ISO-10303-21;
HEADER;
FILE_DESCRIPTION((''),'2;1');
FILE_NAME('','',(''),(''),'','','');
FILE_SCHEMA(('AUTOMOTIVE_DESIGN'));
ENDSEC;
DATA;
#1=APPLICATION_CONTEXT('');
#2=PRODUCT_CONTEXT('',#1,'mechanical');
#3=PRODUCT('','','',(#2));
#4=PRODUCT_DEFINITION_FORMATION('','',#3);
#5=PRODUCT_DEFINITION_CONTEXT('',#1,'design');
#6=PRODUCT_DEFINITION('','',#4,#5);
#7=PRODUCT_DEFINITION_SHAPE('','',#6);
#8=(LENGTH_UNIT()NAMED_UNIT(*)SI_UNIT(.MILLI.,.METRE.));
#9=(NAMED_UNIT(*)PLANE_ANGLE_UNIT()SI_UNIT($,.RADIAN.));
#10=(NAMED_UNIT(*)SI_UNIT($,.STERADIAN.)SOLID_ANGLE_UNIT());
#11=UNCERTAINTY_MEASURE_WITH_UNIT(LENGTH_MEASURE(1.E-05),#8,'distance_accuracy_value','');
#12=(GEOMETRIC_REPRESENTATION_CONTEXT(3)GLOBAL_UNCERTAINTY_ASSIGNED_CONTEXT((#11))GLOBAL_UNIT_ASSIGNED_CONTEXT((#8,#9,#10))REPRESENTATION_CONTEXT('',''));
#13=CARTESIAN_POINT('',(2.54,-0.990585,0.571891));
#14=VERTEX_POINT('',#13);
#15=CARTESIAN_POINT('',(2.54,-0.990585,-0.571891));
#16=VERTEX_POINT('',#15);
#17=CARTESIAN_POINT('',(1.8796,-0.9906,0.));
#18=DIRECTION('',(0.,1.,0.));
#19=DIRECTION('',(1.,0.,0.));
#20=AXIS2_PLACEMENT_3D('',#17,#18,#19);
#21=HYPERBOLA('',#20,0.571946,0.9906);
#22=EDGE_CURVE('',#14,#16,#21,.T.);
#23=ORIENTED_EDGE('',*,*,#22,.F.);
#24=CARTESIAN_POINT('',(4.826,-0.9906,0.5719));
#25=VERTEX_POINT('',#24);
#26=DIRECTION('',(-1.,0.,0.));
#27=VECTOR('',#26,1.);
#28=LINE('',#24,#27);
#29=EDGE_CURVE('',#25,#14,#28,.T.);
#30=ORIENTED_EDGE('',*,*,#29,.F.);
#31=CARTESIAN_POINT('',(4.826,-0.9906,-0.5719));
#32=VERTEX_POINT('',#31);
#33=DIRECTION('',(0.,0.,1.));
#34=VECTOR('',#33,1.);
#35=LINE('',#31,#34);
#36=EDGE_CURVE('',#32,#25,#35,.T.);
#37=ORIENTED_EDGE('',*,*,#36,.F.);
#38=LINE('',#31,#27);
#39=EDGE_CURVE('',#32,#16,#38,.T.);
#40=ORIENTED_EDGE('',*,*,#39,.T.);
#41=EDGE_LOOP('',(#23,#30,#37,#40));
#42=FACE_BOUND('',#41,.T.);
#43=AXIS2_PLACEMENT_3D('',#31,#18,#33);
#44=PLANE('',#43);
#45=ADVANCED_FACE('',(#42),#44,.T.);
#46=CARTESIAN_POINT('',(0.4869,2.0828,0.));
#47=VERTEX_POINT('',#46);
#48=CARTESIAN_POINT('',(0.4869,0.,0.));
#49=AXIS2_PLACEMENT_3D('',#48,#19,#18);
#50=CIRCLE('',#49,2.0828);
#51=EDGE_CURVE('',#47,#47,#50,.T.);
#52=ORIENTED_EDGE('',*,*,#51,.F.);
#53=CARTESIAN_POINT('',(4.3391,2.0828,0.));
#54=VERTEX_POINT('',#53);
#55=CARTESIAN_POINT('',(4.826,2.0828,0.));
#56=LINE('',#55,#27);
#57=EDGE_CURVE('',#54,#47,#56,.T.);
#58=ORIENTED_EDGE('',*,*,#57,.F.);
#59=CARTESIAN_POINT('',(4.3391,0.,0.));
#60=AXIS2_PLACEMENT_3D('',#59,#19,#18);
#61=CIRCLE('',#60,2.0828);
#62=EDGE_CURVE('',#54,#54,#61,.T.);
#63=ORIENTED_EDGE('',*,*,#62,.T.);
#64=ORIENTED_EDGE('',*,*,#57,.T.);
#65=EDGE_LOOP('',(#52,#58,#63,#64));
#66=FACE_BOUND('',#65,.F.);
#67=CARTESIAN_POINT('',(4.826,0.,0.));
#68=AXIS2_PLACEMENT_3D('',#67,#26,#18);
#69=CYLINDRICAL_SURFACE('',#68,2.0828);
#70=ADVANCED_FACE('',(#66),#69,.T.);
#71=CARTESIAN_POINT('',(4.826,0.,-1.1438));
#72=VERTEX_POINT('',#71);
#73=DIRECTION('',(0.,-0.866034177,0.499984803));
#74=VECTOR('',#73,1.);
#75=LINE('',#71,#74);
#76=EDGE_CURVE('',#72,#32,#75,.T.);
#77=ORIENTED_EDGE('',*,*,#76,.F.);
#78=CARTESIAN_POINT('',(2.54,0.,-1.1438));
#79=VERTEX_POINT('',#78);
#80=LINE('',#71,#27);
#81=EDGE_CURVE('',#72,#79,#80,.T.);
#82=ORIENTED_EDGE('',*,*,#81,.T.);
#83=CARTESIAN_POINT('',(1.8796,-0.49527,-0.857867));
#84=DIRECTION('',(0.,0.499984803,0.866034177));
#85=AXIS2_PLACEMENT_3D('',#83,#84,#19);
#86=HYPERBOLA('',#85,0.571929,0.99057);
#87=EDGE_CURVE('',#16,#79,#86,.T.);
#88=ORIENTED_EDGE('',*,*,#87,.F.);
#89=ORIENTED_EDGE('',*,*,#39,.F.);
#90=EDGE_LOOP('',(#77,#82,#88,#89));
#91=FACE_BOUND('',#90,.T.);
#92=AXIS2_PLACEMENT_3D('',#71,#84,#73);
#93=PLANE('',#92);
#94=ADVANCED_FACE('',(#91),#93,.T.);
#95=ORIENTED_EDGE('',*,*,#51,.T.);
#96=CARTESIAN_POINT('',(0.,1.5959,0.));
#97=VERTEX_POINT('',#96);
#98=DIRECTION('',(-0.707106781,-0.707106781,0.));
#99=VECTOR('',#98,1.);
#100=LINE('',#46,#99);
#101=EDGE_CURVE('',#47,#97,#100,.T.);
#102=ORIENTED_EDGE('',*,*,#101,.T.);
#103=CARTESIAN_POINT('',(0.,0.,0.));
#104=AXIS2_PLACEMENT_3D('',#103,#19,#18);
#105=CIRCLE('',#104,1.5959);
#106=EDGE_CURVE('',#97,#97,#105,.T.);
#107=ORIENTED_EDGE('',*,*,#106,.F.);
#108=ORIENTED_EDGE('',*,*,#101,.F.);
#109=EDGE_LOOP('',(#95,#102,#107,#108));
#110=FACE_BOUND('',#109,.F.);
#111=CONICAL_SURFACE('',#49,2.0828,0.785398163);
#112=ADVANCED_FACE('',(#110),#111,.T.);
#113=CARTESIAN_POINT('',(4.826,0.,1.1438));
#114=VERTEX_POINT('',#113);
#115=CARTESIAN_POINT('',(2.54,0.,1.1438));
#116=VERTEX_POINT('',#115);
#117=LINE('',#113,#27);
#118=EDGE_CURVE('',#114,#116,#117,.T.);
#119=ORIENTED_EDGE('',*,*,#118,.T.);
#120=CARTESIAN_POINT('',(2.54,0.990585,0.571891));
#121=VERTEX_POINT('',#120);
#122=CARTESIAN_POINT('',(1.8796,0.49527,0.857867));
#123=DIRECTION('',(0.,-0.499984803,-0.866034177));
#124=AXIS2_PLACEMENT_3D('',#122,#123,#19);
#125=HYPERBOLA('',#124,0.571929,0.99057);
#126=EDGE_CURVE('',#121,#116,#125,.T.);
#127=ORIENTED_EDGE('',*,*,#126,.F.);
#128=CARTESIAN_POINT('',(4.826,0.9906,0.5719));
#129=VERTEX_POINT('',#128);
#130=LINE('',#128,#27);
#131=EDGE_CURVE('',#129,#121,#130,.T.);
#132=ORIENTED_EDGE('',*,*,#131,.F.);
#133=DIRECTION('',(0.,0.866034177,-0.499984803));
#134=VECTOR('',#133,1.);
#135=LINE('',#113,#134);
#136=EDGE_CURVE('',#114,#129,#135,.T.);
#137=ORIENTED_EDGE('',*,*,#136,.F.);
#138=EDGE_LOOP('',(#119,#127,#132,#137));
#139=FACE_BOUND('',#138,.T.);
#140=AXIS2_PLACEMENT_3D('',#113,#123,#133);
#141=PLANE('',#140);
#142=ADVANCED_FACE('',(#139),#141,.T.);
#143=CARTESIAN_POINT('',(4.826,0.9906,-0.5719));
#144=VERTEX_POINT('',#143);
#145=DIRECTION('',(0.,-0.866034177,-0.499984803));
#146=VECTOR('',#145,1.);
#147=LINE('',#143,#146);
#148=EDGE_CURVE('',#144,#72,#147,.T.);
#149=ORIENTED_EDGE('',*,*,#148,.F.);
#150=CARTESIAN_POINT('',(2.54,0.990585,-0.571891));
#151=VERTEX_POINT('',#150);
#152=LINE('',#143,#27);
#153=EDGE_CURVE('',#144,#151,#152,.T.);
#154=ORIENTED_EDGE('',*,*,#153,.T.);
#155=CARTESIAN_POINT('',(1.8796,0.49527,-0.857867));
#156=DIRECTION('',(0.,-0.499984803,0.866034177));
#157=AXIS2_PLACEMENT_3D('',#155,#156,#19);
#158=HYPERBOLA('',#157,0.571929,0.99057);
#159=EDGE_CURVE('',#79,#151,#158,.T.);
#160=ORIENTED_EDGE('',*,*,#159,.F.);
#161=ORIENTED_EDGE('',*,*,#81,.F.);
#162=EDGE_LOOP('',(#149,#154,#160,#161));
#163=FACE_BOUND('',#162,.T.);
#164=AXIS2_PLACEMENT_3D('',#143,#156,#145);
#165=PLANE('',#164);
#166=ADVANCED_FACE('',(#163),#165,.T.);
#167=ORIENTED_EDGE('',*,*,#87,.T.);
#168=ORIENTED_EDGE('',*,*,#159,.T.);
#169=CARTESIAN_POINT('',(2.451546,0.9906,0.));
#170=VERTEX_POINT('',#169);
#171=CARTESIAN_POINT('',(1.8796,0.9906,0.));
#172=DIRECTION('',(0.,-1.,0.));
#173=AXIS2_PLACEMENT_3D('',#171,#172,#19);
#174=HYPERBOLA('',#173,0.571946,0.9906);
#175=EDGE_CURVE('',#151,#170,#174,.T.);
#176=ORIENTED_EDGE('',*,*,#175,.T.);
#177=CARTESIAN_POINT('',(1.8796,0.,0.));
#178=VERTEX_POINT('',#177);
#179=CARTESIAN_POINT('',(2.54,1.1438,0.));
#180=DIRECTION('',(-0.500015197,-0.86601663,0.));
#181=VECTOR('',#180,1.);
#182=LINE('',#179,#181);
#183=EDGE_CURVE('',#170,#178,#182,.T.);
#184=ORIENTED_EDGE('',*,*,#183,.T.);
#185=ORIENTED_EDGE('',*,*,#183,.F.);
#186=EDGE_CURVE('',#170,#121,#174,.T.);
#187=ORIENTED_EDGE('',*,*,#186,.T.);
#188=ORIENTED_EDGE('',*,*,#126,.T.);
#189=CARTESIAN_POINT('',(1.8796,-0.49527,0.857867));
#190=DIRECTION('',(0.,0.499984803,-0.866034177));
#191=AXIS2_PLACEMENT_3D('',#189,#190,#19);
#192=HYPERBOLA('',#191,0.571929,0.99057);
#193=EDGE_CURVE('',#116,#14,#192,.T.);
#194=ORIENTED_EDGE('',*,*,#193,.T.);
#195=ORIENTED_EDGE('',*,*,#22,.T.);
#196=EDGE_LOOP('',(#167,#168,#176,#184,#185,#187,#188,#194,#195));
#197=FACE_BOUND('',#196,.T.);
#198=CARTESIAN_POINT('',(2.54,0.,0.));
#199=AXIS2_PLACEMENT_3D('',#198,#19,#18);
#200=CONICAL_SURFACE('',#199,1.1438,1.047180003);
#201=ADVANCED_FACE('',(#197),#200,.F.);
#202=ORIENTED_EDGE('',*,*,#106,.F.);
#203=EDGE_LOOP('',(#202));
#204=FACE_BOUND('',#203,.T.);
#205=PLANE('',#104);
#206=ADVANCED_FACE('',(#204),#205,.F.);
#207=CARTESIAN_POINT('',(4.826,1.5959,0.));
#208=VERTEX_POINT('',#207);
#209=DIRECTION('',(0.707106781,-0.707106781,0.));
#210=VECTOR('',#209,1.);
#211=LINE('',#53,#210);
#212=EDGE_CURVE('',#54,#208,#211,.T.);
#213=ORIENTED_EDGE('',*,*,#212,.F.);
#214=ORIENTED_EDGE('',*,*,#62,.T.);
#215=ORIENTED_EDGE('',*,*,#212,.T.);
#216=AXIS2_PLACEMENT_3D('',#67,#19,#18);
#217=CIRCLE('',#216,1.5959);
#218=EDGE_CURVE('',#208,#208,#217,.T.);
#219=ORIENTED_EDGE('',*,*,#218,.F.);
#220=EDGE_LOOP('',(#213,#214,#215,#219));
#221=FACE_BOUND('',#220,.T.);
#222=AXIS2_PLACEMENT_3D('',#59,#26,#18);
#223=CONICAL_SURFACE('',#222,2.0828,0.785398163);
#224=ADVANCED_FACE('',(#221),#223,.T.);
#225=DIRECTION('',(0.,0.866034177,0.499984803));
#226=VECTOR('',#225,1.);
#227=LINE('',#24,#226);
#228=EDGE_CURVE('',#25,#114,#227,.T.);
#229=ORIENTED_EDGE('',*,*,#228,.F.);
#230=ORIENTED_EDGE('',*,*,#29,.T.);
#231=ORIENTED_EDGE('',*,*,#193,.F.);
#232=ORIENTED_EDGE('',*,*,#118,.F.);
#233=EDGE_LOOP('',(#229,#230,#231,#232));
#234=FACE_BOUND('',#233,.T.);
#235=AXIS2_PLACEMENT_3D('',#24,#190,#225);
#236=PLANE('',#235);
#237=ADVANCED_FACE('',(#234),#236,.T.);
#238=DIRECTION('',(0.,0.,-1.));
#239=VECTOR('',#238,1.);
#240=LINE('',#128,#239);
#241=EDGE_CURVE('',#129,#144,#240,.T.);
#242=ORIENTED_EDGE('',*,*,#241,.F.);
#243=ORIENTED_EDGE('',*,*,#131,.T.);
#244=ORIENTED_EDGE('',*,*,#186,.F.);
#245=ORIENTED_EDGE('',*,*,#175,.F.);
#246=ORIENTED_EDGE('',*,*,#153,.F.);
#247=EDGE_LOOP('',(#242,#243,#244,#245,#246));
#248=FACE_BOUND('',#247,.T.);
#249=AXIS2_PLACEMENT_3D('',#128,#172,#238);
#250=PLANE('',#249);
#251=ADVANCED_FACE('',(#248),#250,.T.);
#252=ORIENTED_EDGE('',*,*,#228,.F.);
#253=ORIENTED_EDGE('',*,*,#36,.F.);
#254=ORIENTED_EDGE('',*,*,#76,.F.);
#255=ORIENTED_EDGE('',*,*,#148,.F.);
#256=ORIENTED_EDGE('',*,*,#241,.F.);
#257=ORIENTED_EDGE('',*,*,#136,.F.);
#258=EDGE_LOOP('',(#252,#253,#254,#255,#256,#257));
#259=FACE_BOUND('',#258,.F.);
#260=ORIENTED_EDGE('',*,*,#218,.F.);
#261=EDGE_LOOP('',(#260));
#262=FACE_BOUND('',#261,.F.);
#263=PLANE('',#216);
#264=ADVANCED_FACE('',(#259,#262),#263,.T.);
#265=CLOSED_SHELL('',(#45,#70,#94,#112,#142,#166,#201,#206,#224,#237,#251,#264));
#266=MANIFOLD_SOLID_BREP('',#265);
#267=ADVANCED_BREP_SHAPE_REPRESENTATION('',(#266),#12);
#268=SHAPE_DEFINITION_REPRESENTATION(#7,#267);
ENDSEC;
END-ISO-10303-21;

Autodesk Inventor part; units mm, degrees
ref_plane "YZ Plane" through (0, 0, 0) normal (1, 0, 0) x (0, 1, 0)
ref_plane "XZ Plane" through (0, 0, 0) normal (0, 1, 0) x (-1, 0, 0)
sketch "Sketch1" plane through (0, 0, 0) normal (0, 0, 1) x (1, 0, 0)
  line L0 (0, 0) -> (1.8796, 0)
  line L1 (4.826, 1.1438) -> (4.826, 2.0828)
  line L2 (4.826, 2.0828) -> (0, 2.0828)
  line L3 (4.826, 1.1438) -> (2.54, 1.1438)
  line L4 (2.54, 1.1438) -> (1.8796, 0)
  line L5 (0, -0.4166) -> (0, 2.4994) projected
  line L6 (0, 2.0828) -> (0, 0)
  dimension "d0" = 2.286
  dimension "d1" = 60
  dimension "d2" = 4.1656
  dimension "d3" = 2.2877
  dimension "d5" = 4.826
revolve "Body" add sketch "Sketch1" angle 360 about axis through (0, 0, 0) along (1, 0, 0)
chamfer "Chamfer1" distance 0.4869 angle 45 1 edges at (4.826, -2.0828, 0) measured on face at (4.826, 1.7496, -0.1661)
sketch "Sketch2" plane through (4.826, 0, 0) normal (1, 0, 0) x (0, 0, -1)
  circle A0 centre (0, 0) radius 1.1438 projected
  line L0 (-0.5719, 0.9906) -> (0.5719, 0.9906)
  line L1 (0.5719, 0.9906) -> (1.1438, 0)
  line L2 (1.1438, 0) -> (0.5719, -0.9906)
  line L3 (0.5719, -0.9906) -> (-0.5719, -0.9906)
  line L4 (-0.5719, -0.9906) -> (-1.1438, 0)
  line L5 (-1.1438, 0) -> (-0.5719, 0.9906)
  point P0 (0, 0)
  point P1 (0, 0)
extrude "Slot" add sketch "Sketch2" against normal up to next contours L1 A0 | A0 L2 | L0 A0 | A0 L3 | L5 A0 | A0 L4
thread "Thread" size "8-32 UNC" class "2A" standard "ANSI Unified Screw Threads" length 4.826
chamfer "Chamfer2" distance 0.4869 angle 45 1 edges at (0, -2.0828, 0) measured on face at (1.4464, 2.076, -0.1676)
ref_plane "Work Plane1" through (2.413, 0, 0) normal (0, 0.5, 0.866) x (1, 0, 0)
equation "\"d0\" = INTI"
equation "\"d2\" = NND"
equation "\"d3\" = 1.1547 * SW"
equation "\"d5\" = NLG"
equation "\"d7\" = -0.5 * GD1 + 0.5 * NND"
equation "\"d8\" = FAWI"
equation "\"d29\" = -0.5 * GD1 + 0.5 * NND"
equation "\"d11\" = NLG"
equation "\"d13\" = -0.5 * GD1 + 0.5 * NND"
equation "\"d14\" = FAWI"
equation "\"d30\" = -0.5 * GD1 + 0.5 * NND"
equation "\"NND\" = 4.1656"
equation "\"NLG\" = 4.826"
equation "\"INTI\" = 2.286"
equation "\"FAWI\" = 45deg"
equation "\"SW\" = 1.9812"
equation "\"GD1\" = 3.19177"
equation "\"FAWI1\" = 44.999991deg"
equation "\"SPD\" = 2.2098"
equation "\"SEWI\" = 90deg"
equation "\"TOA\" = 30deg"
equation "\"ZLG\" = 1.0922"
equation "\"ZD\" = 2.7686"
equation "\"HHPTC\" = 0.79375"
equation "\"THREADDIA\" = 4.1656"
equation "\"OPR\" = 3.1242"
equation "\"E0\" = 1.155 * SW"
properties part number "ANSI B18.3 - 8-32 UNC x 0.19" material "Steel, Alloy"
